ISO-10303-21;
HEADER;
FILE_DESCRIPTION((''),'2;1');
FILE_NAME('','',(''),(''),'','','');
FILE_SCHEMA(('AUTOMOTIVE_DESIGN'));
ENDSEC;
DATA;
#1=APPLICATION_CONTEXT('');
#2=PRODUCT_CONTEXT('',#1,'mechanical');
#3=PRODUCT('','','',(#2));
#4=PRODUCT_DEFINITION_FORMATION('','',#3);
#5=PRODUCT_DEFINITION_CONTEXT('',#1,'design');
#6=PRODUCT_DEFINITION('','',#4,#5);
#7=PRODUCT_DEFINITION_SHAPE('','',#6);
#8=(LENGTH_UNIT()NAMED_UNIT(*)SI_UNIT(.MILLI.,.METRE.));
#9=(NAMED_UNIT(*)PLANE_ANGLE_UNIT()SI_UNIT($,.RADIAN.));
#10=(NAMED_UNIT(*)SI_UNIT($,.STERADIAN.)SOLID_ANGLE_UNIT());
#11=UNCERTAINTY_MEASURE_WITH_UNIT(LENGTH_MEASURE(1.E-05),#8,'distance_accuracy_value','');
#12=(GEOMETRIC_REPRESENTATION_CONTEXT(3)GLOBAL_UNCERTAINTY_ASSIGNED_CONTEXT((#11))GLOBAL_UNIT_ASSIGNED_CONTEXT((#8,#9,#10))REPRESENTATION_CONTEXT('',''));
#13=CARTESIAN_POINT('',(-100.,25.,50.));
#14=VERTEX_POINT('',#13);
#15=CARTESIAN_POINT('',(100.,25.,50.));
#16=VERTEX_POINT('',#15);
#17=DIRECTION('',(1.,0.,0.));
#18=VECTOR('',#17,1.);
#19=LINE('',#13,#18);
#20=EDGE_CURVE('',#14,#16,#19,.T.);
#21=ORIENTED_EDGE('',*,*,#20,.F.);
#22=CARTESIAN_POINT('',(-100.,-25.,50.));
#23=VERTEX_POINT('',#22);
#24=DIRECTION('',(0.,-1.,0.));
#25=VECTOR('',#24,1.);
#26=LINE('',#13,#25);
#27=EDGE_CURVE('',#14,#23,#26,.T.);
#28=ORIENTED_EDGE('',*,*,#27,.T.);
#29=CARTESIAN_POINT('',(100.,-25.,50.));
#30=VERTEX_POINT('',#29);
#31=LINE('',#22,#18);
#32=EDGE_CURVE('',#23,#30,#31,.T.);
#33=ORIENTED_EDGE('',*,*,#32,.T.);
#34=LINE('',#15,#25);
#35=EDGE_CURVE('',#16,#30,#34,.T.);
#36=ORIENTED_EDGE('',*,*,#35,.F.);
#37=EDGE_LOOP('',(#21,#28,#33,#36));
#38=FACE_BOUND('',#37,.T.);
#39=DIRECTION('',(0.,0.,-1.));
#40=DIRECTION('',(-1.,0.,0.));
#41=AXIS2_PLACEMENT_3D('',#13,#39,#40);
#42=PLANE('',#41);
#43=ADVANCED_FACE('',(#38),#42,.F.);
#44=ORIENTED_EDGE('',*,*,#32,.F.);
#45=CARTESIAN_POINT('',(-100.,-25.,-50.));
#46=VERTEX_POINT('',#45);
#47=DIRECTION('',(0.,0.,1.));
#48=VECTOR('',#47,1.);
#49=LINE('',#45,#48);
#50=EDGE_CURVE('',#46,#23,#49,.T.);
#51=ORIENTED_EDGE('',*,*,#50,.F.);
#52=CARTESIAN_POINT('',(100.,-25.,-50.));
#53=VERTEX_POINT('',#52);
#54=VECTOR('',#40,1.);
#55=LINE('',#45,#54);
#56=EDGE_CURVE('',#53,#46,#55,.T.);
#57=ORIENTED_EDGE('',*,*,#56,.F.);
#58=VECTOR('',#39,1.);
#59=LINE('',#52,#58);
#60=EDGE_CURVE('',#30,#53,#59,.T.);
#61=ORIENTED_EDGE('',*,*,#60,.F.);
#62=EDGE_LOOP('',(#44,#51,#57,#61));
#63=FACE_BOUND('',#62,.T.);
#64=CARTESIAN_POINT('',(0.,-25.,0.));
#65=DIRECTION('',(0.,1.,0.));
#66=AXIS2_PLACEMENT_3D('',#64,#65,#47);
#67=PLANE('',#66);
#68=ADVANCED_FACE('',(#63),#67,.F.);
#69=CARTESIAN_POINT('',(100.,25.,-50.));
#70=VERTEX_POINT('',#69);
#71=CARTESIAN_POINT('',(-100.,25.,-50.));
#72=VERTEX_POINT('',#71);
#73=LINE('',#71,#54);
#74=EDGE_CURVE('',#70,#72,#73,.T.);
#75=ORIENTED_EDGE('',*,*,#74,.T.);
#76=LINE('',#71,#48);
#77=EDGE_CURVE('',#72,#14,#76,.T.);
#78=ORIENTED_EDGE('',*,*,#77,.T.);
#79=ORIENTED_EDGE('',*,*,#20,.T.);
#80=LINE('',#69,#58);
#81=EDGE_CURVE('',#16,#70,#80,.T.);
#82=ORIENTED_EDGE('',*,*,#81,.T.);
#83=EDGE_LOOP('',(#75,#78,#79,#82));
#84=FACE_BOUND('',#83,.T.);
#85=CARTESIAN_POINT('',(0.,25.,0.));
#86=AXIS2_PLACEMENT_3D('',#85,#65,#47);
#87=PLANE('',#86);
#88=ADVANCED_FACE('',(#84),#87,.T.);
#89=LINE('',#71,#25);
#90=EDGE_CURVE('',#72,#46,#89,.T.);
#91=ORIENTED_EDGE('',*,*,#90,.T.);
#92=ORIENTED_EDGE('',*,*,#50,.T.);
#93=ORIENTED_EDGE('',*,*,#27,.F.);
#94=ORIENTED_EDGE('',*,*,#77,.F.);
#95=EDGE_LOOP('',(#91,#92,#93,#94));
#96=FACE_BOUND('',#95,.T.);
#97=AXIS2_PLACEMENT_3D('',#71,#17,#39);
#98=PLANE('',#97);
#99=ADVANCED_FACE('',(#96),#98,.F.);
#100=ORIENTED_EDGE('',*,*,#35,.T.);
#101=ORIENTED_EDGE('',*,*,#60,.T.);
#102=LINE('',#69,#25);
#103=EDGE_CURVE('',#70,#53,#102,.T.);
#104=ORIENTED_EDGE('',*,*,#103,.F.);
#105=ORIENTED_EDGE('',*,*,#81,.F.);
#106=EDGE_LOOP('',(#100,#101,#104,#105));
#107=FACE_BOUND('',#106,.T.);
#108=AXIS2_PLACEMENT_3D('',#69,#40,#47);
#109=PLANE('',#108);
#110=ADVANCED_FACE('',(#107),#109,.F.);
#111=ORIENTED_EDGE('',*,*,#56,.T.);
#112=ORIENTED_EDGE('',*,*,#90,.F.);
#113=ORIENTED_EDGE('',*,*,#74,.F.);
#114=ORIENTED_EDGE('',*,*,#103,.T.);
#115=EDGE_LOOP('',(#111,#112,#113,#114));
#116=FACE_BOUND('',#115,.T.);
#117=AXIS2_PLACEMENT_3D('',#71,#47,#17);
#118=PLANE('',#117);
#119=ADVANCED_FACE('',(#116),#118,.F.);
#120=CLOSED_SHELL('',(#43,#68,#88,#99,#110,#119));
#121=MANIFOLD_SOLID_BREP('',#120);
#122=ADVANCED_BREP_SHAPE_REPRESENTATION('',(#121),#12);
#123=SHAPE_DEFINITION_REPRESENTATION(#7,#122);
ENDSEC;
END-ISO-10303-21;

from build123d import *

# Parameters (mm, degrees)
SKETCH1_W           = 200
SKETCH1_H           = 100
BOSS_EXTRUDE1_DEPTH = 25


with BuildPart() as part:
    # Sketch1 → Boss-Extrude1 (new body, symmetric)
    with BuildSketch(Plane(origin=(0, 0, 0), x_dir=(1, 0, 0), z_dir=(0, 1, 0))):
        Rectangle(SKETCH1_W, SKETCH1_H)
    extrude(amount=BOSS_EXTRUDE1_DEPTH, both=True)


solid = part.part
